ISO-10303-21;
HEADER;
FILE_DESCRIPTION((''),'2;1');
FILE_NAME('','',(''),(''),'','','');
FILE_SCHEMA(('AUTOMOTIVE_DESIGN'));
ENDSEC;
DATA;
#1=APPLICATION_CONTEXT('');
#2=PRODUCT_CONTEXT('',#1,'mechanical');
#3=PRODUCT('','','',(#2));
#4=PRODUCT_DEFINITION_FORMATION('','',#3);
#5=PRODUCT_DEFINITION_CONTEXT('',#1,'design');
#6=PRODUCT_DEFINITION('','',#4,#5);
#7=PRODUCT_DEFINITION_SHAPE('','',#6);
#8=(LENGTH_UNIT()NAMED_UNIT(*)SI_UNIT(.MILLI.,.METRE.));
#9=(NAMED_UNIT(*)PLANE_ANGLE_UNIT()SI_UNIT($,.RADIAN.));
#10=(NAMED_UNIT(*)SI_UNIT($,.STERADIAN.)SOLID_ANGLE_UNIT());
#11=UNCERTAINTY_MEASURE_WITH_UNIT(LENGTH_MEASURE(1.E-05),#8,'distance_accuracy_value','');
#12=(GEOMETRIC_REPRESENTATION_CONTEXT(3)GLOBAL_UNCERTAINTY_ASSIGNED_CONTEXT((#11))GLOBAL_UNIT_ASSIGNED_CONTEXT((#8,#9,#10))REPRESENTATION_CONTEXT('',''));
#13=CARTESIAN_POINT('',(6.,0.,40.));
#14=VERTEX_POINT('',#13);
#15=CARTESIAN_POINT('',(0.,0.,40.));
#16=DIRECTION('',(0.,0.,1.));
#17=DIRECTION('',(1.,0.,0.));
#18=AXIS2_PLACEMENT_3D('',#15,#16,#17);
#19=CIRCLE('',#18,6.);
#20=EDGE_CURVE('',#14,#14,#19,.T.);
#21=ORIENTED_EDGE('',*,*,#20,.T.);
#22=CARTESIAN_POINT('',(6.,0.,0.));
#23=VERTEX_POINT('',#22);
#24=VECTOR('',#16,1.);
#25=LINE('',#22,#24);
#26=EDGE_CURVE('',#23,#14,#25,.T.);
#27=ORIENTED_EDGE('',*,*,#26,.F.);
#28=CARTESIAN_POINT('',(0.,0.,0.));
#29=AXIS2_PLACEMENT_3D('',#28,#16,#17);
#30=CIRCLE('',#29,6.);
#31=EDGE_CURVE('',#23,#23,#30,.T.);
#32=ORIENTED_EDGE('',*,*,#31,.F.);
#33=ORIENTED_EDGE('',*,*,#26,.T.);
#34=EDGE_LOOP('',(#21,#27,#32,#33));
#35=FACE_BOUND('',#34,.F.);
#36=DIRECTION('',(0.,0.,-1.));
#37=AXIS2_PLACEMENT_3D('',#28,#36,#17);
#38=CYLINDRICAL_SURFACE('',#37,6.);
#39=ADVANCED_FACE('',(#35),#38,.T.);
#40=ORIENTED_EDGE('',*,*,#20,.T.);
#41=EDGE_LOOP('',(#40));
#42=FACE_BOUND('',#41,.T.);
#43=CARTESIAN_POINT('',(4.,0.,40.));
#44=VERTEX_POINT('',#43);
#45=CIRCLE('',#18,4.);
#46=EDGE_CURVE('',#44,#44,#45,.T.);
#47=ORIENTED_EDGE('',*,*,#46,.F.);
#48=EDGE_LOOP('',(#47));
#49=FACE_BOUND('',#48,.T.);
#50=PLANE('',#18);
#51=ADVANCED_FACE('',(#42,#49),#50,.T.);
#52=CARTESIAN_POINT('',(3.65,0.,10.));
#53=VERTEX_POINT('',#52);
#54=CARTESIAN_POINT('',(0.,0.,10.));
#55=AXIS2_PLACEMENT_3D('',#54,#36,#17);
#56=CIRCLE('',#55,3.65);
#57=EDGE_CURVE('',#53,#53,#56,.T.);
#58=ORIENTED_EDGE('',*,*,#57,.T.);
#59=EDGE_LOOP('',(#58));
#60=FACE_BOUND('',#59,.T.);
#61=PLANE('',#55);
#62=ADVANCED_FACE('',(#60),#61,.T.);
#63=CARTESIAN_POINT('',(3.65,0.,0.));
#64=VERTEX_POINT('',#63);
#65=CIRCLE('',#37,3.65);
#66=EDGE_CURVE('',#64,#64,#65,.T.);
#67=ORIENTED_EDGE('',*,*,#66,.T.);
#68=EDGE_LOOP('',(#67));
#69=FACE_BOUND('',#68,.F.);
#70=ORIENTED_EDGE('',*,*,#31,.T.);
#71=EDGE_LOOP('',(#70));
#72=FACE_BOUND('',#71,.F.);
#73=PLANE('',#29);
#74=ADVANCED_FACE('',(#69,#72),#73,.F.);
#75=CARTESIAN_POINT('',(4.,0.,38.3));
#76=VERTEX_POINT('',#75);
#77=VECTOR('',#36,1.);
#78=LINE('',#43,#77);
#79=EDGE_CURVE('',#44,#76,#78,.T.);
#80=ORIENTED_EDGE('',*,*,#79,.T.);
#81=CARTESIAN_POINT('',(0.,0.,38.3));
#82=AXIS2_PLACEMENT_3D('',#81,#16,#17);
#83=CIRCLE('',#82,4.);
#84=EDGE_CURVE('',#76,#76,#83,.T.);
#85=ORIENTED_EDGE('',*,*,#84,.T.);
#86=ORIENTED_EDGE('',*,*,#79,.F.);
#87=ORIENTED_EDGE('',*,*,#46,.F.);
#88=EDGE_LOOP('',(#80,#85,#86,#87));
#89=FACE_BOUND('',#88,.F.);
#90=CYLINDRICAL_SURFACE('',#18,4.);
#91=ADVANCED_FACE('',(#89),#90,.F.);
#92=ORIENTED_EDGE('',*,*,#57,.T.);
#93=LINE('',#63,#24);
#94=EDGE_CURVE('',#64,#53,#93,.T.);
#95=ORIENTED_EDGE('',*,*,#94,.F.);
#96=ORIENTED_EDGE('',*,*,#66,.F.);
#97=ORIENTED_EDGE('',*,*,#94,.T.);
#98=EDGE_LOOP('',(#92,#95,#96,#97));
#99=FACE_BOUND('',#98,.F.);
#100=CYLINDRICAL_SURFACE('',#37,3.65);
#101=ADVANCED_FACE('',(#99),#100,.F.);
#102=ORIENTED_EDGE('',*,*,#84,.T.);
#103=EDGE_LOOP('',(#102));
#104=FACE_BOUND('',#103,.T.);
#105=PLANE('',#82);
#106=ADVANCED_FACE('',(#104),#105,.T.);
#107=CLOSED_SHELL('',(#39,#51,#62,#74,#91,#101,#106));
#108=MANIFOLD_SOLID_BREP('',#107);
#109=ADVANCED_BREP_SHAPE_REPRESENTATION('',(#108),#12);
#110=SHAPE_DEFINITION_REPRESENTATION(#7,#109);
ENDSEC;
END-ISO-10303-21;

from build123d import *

# Parameters (mm, degrees)
SKETCH151_R     = 6
PAD111_DEPTH    = 40
SKETCH152_R     = 3.65
POCKET_DEPTH    = 10
SKETCH153_R     = 4
POCKET001_DEPTH = 1.7


with BuildPart() as part:
    # Sketch151 → Pad111 (new body)
    with BuildSketch(Plane.XY):
        Circle(SKETCH151_R)
    extrude(amount=PAD111_DEPTH)

    # Sketch152 (on Face2 of Pad111) → Pocket (cut)
    with BuildSketch(Plane(origin=(0, 0, 0), x_dir=(1, 0, 0), z_dir=(0, 0, -1))):
        Circle(SKETCH152_R)
    extrude(amount=-POCKET_DEPTH, mode=Mode.SUBTRACT)

    # Sketch153 (on Face3 of Pocket) → Pocket001 (cut)
    with BuildSketch(Plane.XY.offset(40)):
        Circle(SKETCH153_R)
    extrude(amount=-POCKET001_DEPTH, mode=Mode.SUBTRACT)


solid = part.part
